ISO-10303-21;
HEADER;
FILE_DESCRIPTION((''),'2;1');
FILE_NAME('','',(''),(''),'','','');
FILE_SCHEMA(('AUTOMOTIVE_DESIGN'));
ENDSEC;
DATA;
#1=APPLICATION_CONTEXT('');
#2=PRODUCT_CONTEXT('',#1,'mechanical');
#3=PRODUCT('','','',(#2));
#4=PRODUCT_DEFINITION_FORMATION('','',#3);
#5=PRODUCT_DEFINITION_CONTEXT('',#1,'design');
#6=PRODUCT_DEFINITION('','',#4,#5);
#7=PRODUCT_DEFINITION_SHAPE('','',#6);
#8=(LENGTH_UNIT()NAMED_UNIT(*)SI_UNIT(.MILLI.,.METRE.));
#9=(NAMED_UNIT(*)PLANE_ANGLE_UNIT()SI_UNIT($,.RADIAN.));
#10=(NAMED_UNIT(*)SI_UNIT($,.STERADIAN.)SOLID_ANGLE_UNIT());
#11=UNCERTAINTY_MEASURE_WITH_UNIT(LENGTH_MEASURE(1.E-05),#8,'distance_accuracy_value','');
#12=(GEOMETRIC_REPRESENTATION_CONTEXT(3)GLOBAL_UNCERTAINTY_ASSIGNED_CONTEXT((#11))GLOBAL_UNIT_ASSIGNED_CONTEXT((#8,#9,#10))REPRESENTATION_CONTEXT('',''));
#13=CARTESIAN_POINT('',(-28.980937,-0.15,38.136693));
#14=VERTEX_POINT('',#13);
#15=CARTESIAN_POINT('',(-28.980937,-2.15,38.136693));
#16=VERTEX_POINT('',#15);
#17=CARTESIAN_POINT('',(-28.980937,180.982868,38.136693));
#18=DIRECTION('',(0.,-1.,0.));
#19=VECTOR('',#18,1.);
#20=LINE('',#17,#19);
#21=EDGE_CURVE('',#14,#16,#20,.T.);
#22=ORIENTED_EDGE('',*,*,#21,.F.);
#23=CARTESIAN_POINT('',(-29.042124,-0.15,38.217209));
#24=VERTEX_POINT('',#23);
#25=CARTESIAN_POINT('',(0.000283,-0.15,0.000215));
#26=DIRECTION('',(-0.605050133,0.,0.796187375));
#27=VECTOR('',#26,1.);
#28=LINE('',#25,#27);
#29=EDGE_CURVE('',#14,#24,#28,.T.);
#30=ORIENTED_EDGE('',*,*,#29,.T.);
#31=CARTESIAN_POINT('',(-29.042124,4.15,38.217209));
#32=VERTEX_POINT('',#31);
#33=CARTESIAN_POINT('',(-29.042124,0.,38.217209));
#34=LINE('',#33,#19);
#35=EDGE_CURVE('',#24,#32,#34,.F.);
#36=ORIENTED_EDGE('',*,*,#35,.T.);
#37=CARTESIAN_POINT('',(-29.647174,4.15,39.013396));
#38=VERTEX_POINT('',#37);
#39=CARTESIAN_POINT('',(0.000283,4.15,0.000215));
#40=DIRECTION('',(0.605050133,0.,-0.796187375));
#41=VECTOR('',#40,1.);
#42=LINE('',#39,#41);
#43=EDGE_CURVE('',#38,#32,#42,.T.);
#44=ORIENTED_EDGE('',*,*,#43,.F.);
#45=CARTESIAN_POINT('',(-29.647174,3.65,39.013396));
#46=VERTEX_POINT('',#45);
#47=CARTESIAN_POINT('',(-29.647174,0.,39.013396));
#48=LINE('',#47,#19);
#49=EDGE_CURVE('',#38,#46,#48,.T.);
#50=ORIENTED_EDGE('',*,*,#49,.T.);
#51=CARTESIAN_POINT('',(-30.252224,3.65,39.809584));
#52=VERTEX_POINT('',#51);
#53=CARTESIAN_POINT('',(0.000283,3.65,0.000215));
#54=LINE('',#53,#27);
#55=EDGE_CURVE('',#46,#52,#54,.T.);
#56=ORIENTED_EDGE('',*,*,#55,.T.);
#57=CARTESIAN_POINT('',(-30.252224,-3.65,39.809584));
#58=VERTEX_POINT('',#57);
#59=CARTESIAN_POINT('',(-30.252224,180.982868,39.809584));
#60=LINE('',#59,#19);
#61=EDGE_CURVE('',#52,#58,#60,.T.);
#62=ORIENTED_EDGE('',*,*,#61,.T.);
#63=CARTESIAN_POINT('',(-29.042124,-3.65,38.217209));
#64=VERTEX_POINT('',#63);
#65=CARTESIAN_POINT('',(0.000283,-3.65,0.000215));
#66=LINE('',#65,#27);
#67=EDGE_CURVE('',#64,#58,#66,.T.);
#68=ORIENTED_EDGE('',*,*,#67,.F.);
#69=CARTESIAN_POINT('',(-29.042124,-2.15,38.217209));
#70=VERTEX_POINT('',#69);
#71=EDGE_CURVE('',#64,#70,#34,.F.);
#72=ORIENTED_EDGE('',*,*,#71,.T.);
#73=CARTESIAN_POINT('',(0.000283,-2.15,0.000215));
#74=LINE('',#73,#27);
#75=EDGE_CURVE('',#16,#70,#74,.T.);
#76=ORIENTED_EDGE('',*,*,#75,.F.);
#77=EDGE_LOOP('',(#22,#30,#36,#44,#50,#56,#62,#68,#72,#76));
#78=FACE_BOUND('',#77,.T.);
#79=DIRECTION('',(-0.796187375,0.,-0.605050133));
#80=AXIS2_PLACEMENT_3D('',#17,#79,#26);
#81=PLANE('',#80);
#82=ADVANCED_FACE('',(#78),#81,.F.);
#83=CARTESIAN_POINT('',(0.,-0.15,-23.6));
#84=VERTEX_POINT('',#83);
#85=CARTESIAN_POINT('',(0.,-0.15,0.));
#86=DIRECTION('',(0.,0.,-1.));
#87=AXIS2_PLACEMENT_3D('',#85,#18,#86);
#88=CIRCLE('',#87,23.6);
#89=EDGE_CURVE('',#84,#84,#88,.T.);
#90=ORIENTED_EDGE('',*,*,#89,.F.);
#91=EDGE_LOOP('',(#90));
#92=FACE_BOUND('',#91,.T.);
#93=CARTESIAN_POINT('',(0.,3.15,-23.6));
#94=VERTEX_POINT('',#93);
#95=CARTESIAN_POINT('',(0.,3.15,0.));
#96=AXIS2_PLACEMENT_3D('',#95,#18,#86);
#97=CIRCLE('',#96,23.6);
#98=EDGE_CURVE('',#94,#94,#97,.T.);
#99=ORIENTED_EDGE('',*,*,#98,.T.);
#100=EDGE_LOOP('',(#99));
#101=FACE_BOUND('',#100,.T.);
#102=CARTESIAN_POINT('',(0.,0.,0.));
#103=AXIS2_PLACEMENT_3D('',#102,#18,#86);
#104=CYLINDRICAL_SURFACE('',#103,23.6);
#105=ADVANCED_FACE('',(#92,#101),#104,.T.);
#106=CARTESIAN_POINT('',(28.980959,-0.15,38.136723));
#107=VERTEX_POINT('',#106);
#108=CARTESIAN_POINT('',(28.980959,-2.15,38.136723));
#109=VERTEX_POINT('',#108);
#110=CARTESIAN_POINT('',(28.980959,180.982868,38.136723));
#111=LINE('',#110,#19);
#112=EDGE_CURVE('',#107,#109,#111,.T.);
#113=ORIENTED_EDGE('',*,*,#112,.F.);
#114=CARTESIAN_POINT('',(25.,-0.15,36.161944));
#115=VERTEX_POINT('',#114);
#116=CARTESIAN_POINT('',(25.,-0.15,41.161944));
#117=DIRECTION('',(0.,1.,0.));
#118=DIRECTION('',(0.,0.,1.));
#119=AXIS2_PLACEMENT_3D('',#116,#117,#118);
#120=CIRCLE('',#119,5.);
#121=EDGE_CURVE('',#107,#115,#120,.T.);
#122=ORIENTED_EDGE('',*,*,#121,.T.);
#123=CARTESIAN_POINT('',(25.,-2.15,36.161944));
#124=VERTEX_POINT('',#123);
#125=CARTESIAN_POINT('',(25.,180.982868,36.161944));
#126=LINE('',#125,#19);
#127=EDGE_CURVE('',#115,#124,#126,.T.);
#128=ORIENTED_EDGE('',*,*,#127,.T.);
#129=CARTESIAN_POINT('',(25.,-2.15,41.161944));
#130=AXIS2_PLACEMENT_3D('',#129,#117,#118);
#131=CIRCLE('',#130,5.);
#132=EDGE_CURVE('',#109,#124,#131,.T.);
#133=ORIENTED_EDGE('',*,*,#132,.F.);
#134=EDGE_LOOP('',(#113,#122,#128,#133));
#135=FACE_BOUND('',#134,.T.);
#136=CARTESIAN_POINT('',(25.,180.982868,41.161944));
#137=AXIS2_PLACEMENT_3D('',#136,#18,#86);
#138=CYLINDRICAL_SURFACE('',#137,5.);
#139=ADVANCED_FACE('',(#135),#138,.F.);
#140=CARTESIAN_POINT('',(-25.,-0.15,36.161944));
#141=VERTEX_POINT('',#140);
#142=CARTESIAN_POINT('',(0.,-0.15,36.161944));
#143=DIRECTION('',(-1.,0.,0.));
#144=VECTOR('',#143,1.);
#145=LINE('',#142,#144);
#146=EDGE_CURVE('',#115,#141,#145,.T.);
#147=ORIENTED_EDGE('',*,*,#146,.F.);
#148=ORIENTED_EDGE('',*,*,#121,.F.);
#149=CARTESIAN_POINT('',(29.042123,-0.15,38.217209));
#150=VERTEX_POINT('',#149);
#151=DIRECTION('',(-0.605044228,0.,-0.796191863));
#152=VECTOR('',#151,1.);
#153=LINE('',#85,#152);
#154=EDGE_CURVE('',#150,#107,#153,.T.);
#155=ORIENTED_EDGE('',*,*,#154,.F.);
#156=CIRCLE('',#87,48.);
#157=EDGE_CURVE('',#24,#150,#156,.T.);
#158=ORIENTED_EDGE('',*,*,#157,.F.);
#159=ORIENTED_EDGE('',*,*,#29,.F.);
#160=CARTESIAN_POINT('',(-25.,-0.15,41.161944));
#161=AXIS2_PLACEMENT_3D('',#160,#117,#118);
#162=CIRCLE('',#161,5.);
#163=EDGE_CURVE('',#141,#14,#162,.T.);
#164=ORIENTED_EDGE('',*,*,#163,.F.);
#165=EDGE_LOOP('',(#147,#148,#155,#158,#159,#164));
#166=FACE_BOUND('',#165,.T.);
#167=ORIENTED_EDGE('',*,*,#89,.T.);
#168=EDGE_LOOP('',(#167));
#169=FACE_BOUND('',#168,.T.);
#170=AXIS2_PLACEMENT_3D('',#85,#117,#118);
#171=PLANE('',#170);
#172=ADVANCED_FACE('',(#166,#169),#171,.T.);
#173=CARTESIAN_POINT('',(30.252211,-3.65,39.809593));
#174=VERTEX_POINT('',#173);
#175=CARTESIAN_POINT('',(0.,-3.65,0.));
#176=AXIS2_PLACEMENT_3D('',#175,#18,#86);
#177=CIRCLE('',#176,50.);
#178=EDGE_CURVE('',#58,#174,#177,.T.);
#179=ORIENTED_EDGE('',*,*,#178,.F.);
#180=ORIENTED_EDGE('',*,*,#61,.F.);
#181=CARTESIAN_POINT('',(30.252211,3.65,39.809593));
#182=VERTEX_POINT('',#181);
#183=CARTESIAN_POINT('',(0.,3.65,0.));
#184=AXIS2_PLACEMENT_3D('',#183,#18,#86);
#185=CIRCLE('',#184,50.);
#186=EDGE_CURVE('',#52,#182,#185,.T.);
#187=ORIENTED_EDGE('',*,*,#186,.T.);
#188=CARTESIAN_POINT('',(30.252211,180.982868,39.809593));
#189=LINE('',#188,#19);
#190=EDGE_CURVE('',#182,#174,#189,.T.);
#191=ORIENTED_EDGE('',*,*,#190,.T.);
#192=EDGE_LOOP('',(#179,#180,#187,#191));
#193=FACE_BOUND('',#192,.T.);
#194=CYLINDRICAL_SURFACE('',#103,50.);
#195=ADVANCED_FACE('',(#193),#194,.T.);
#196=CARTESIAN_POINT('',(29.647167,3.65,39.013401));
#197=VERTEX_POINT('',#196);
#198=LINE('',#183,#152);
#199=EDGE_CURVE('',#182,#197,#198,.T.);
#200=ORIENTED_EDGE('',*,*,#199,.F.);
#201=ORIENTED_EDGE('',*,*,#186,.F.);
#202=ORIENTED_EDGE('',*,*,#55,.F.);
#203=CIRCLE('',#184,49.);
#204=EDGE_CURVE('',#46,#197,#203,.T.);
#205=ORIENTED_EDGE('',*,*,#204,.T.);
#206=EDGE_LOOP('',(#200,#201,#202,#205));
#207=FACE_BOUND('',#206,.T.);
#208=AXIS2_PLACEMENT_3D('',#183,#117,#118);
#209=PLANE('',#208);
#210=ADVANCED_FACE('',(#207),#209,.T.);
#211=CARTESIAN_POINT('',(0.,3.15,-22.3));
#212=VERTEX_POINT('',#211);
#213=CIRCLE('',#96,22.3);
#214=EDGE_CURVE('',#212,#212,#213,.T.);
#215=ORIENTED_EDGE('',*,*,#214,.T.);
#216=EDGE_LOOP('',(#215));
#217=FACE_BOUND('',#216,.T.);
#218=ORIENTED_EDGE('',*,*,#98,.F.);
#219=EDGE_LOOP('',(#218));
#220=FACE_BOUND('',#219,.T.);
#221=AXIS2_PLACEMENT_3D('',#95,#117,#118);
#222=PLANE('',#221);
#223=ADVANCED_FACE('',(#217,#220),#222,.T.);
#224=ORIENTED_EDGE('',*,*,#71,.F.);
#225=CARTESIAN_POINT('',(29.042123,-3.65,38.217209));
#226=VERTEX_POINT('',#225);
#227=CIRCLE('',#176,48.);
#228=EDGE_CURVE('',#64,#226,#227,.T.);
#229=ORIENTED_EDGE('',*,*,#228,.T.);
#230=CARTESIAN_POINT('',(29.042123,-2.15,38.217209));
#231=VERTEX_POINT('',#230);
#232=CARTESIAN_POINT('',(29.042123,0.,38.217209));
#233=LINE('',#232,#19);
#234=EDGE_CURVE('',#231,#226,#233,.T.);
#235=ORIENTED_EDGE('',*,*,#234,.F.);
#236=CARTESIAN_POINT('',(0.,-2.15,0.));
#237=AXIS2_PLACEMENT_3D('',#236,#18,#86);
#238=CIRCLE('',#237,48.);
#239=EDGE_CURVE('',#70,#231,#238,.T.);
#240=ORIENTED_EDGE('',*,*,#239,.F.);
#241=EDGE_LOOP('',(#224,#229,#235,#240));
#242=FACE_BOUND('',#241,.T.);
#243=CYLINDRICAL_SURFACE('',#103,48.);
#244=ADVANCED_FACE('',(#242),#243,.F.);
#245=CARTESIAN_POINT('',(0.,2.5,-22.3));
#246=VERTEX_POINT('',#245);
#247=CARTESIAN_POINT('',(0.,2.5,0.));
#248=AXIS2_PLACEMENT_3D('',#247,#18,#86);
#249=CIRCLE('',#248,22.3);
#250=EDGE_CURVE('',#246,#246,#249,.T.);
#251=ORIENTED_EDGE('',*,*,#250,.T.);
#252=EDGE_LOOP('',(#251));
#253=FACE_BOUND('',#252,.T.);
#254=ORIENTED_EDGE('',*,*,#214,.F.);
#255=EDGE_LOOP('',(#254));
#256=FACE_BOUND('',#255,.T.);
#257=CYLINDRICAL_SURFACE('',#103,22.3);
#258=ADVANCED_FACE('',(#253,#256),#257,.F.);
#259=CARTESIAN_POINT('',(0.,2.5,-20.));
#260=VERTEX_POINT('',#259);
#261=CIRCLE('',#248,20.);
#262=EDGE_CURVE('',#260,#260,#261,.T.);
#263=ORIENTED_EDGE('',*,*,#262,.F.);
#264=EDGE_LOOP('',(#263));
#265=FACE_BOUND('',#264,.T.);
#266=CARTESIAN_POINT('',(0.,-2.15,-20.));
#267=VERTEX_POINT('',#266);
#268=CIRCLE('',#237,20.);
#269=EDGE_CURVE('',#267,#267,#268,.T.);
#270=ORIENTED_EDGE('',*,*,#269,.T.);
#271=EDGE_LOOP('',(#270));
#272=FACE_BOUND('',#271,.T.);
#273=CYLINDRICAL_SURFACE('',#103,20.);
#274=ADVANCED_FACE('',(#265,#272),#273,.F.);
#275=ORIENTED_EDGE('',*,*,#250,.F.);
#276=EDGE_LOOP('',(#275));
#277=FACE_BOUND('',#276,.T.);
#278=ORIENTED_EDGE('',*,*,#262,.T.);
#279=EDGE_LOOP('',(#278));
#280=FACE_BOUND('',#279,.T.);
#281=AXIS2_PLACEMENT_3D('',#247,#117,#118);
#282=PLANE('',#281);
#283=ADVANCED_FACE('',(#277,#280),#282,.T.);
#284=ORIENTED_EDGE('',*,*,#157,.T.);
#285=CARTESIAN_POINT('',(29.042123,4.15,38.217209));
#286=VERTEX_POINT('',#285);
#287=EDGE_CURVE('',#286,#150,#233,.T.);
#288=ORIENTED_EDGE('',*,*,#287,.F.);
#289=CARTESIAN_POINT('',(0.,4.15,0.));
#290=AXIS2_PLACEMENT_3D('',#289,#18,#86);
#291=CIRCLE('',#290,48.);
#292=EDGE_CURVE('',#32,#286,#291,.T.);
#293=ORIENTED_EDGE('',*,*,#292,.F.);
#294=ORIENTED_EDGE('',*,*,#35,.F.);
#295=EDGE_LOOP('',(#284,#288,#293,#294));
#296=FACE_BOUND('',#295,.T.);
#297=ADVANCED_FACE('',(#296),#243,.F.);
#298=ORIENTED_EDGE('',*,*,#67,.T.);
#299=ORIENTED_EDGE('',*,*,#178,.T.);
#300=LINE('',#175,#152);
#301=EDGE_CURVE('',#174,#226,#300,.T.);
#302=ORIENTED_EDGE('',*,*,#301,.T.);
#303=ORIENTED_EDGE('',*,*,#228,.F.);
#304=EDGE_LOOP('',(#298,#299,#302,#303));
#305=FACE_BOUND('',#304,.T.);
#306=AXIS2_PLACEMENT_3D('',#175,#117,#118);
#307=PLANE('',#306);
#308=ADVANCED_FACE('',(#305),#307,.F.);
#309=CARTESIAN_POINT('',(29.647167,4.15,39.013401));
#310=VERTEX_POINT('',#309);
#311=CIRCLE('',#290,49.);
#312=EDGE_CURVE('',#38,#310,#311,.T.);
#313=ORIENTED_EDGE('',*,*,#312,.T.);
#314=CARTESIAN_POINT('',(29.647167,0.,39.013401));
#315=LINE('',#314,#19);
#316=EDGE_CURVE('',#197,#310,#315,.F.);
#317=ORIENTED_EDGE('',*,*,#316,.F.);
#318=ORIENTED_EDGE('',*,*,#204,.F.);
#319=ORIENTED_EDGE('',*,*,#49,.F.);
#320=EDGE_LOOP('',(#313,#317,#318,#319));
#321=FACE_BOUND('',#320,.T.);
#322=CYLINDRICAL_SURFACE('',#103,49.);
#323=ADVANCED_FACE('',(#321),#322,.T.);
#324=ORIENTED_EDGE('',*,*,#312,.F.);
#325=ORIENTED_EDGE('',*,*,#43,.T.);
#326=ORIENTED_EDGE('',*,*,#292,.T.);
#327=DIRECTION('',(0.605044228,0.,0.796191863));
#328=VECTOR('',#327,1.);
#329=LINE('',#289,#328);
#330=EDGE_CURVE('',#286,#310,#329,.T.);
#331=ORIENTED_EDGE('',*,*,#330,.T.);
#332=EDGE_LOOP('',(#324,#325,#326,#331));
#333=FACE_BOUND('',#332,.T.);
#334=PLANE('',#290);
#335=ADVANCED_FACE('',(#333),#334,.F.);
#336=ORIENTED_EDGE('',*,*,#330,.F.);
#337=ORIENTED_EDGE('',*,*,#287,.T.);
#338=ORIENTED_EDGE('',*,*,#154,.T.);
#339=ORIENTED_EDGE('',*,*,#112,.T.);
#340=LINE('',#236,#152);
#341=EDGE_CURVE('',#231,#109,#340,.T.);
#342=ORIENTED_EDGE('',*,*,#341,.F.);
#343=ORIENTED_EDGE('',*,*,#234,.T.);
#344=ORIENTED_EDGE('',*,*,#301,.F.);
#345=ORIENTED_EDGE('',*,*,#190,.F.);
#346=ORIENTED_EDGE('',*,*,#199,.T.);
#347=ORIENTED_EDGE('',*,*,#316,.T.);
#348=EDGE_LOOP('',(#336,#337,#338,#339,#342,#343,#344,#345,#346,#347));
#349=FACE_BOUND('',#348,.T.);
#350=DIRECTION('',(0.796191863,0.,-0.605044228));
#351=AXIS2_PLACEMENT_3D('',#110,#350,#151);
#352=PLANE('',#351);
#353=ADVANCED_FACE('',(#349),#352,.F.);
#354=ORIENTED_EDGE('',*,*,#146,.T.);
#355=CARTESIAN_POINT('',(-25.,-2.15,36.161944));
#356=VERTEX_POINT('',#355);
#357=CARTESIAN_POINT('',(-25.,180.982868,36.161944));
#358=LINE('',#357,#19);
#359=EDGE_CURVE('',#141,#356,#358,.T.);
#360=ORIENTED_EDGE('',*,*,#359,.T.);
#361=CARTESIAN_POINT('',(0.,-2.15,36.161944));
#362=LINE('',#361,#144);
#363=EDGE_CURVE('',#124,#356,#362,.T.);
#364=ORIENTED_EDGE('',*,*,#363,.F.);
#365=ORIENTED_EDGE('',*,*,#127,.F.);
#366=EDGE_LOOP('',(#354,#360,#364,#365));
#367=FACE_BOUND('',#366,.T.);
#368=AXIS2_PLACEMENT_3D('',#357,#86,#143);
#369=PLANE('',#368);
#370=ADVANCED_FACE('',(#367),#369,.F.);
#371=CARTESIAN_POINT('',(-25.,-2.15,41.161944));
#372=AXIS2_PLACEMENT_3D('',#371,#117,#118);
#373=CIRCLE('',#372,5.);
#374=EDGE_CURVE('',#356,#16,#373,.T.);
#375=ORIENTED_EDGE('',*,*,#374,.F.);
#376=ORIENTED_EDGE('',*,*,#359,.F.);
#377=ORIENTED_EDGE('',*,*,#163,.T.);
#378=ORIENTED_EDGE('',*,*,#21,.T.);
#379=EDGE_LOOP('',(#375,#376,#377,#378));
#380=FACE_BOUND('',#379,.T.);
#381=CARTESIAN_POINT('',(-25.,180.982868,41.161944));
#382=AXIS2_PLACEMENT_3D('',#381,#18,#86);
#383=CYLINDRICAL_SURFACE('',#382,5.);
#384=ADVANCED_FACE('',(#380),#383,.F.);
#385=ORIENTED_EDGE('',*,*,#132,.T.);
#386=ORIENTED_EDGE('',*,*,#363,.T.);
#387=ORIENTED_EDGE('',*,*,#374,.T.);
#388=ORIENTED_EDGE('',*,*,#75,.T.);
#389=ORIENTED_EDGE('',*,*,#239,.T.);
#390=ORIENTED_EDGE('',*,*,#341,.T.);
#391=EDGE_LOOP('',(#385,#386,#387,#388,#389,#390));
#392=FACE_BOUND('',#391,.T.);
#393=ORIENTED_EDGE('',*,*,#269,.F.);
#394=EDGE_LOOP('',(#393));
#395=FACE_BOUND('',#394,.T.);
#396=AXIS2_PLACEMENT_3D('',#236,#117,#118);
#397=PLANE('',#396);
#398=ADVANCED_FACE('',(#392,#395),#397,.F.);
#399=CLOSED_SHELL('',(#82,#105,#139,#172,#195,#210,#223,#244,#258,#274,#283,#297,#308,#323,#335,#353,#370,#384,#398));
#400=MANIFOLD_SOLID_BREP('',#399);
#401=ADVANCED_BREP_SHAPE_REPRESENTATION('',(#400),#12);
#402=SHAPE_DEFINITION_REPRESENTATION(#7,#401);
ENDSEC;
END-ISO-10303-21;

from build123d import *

# Parameters (mm, degrees)
SKETCH2_W               = 1
SKETCH2_H               = 0.5
SKETCH2_W_2             = 1.3
SKETCH2_H_2             = 0.65
CUT_EXTRUDE2_DEPTH      = 5.15
CUT_EXTRUDE2_DEPTH_BACK = 4.65


with BuildPart() as part:
    # Sketch2 → Revolve1 (revolve)
    with BuildSketch(Plane(origin=(0, 0, 0), x_dir=(0, 0, -1), z_dir=(1, 0, 0))):
        Polygon((-49, 3.65), (-50, 3.65), (-50, -3.65), (-48, -3.65), (-48, -2.15), (-48, -0.15), (-48, 3.65), align=None)
        with Locations((-48.5, 3.9)):
            Rectangle(SKETCH2_W, SKETCH2_H)
        Polygon((-23.6, -0.15), (-48, -0.15), (-48, -2.15), (-20, -2.15), (-20, -0.15), align=None)
        Polygon((-23.6, 2.5), (-23.6, -0.15), (-20, -0.15), (-20, 2.5), (-22.3, 2.5), align=None)
        with Locations((-22.95, 2.825)):
            Rectangle(SKETCH2_W_2, SKETCH2_H_2)
    revolve(axis=Axis((0, 0, 0), (0, 1, 0)))

    # Sketch3 → Cut-Extrude2 (cut, two sides)
    with BuildSketch(Plane(origin=(0, 0, 0), x_dir=(1, 0, 0), z_dir=(0, 1, 0))) as cut_extrude2_sk:
        with BuildLine():
            Line((-182.0491461, -239.559631704), (-30.252223805, -39.809583706))
            Line((-30.252223805, -39.809583706), (-28.980936876, -38.136693234))
            ThreePointArc((-28.980936876, -38.136693234), (-27.221907589, -36.68275573), (-25, -36.1619439))
            Line((-25, -36.1619439), (25, -36.1619439))
            ThreePointArc((25, -36.1619439), (27.2219242, -36.682763969), (28.980959314, -38.13672276))
            Line((28.980959314, -38.13672276), (30.252211397, -39.809593135))
            Line((30.252211397, -39.809593135), (182.047652189, -239.56076697))
            Line((182.047652189, -239.56076697), (182.046087664, -741.32719587))
            Line((182.046087664, -741.32719587), (-182.050710625, -741.326060604))
            Line((-182.050710625, -741.326060604), (-182.0491461, -239.559631704))
        make_face()
    extrude(amount=CUT_EXTRUDE2_DEPTH, mode=Mode.SUBTRACT)
    extrude(cut_extrude2_sk.sketch, amount=-CUT_EXTRUDE2_DEPTH_BACK, mode=Mode.SUBTRACT)


solid = part.part
